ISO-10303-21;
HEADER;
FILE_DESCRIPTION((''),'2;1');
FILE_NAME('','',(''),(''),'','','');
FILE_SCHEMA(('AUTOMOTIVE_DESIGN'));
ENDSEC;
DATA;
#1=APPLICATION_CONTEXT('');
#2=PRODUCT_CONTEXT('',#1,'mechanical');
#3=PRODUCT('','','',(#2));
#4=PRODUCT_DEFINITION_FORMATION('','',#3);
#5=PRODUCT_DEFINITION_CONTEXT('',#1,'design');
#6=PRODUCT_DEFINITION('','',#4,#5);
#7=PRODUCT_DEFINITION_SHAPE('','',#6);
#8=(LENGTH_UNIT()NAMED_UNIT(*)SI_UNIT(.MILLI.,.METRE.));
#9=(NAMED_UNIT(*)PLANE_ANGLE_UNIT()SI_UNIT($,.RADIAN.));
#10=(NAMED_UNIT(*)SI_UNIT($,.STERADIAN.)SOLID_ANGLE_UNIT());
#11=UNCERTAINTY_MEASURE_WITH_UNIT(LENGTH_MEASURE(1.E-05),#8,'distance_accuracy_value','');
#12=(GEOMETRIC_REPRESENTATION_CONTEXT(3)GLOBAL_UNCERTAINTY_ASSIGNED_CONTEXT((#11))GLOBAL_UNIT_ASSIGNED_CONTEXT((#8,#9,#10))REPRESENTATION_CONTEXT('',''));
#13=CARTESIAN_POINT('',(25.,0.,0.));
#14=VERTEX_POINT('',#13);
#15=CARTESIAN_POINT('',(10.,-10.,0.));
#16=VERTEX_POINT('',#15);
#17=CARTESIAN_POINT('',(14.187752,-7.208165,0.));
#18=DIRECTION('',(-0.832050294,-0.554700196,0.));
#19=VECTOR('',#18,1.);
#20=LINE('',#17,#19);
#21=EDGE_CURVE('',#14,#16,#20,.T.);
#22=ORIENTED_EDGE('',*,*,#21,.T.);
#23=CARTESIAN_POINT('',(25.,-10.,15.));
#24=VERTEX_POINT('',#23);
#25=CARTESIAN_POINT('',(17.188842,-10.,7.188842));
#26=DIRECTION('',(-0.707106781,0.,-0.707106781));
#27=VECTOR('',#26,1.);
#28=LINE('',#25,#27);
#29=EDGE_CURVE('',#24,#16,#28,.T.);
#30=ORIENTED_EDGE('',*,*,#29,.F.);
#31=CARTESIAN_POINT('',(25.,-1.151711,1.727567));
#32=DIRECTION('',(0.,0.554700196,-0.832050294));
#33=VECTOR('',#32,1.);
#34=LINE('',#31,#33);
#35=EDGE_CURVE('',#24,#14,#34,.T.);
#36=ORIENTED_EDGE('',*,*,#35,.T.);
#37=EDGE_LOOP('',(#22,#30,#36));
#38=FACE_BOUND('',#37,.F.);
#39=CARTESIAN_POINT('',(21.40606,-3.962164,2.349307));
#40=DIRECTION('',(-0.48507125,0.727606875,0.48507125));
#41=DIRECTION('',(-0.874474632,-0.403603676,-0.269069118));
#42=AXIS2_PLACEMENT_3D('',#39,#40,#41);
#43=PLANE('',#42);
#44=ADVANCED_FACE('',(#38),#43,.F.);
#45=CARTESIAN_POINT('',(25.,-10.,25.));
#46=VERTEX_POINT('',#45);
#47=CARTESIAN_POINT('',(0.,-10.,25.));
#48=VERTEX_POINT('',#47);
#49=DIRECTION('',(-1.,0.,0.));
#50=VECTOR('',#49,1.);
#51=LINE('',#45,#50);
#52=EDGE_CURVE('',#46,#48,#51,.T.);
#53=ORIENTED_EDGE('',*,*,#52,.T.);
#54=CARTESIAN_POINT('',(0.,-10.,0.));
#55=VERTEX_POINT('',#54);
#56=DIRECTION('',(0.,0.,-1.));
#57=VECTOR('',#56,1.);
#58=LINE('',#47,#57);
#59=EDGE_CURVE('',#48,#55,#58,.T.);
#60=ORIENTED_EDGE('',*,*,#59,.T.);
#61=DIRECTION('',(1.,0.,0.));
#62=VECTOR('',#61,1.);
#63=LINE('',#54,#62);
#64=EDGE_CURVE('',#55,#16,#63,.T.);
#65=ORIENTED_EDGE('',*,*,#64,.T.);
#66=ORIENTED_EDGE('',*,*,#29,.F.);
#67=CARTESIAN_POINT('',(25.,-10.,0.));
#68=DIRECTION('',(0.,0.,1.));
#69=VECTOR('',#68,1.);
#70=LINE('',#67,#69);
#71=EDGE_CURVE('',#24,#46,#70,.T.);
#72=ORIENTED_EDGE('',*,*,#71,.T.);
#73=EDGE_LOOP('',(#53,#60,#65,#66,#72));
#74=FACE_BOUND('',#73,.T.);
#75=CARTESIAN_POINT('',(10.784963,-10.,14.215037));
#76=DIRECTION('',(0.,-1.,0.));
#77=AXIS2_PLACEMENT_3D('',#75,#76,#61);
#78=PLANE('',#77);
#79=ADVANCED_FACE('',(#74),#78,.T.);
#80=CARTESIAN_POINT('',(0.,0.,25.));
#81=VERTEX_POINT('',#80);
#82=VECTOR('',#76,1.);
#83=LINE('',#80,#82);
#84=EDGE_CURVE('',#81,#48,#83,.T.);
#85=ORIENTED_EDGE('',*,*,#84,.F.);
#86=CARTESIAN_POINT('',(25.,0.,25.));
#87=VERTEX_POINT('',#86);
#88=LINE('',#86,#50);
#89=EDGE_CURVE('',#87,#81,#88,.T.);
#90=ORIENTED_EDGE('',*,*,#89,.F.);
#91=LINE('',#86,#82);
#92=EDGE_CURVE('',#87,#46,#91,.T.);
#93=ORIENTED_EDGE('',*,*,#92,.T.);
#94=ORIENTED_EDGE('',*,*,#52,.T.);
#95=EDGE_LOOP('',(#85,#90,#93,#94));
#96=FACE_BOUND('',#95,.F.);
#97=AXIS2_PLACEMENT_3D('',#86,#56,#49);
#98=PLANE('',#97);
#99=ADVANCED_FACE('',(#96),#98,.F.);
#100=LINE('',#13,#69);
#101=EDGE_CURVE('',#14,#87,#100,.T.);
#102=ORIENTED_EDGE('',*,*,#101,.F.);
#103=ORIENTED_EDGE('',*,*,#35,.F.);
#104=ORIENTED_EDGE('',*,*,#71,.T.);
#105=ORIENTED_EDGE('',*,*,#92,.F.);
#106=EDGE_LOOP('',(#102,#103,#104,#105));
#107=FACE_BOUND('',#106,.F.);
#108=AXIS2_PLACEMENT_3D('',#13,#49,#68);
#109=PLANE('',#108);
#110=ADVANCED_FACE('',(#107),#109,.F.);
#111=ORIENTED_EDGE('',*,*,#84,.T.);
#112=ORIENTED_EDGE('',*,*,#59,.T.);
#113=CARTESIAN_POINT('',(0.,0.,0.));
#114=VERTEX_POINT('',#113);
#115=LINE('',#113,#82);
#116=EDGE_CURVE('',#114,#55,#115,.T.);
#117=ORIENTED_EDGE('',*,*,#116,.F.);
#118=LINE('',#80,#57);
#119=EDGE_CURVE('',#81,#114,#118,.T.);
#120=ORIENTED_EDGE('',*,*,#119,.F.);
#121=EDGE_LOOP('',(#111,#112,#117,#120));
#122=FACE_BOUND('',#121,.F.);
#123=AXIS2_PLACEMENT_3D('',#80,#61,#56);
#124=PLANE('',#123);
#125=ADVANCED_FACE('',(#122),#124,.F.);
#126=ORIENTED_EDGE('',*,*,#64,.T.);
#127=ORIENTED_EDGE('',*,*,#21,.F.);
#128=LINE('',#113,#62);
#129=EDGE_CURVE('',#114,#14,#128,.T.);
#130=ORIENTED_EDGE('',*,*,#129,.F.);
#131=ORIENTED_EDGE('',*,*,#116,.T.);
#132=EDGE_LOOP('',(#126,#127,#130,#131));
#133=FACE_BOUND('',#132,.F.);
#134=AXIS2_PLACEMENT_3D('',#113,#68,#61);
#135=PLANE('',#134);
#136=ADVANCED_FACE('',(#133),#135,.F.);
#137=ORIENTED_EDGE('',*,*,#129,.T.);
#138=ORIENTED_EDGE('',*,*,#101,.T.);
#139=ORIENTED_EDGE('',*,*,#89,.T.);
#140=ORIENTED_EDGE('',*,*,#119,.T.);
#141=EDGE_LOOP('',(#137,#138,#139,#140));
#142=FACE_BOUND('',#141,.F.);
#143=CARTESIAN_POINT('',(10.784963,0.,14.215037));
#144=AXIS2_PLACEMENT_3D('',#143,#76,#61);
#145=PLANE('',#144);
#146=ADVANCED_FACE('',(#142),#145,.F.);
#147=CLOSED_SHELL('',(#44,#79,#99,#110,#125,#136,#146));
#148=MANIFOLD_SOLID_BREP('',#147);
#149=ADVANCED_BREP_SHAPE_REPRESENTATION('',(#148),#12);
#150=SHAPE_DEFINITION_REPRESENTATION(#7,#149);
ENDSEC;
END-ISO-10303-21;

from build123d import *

# Parameters (mm, degrees)
F1_DEPTH = 10
F5_R     = 14.9247809803
F6_DEPTH = 16.2


with BuildPart() as f1:
    # F0 (on Front) → F1 (new body)
    with BuildSketch(Plane.XZ):
        Polygon((0, 25), (0, 0), (10, 0), (25, 15), (25, 25), align=None)
        Polygon((25, 15), (10, 0), (25, 0), align=None)
    extrude(amount=F1_DEPTH)

    # F5 (on 3pt) → F6 (cut)
    with BuildSketch(Plane(origin=(5.8823529412, -8.8235294118, -5.8823529412), x_dir=(-0.8744746322, -0.4036036764, -0.2690691176), z_dir=(-0.4850712501, 0.7276068751, 0.4850712501))):
        with Locations((-17.7520383149, 4.152554553)):
            Circle(F5_R)
    extrude(amount=-F6_DEPTH, mode=Mode.SUBTRACT)


solid = f1.part
